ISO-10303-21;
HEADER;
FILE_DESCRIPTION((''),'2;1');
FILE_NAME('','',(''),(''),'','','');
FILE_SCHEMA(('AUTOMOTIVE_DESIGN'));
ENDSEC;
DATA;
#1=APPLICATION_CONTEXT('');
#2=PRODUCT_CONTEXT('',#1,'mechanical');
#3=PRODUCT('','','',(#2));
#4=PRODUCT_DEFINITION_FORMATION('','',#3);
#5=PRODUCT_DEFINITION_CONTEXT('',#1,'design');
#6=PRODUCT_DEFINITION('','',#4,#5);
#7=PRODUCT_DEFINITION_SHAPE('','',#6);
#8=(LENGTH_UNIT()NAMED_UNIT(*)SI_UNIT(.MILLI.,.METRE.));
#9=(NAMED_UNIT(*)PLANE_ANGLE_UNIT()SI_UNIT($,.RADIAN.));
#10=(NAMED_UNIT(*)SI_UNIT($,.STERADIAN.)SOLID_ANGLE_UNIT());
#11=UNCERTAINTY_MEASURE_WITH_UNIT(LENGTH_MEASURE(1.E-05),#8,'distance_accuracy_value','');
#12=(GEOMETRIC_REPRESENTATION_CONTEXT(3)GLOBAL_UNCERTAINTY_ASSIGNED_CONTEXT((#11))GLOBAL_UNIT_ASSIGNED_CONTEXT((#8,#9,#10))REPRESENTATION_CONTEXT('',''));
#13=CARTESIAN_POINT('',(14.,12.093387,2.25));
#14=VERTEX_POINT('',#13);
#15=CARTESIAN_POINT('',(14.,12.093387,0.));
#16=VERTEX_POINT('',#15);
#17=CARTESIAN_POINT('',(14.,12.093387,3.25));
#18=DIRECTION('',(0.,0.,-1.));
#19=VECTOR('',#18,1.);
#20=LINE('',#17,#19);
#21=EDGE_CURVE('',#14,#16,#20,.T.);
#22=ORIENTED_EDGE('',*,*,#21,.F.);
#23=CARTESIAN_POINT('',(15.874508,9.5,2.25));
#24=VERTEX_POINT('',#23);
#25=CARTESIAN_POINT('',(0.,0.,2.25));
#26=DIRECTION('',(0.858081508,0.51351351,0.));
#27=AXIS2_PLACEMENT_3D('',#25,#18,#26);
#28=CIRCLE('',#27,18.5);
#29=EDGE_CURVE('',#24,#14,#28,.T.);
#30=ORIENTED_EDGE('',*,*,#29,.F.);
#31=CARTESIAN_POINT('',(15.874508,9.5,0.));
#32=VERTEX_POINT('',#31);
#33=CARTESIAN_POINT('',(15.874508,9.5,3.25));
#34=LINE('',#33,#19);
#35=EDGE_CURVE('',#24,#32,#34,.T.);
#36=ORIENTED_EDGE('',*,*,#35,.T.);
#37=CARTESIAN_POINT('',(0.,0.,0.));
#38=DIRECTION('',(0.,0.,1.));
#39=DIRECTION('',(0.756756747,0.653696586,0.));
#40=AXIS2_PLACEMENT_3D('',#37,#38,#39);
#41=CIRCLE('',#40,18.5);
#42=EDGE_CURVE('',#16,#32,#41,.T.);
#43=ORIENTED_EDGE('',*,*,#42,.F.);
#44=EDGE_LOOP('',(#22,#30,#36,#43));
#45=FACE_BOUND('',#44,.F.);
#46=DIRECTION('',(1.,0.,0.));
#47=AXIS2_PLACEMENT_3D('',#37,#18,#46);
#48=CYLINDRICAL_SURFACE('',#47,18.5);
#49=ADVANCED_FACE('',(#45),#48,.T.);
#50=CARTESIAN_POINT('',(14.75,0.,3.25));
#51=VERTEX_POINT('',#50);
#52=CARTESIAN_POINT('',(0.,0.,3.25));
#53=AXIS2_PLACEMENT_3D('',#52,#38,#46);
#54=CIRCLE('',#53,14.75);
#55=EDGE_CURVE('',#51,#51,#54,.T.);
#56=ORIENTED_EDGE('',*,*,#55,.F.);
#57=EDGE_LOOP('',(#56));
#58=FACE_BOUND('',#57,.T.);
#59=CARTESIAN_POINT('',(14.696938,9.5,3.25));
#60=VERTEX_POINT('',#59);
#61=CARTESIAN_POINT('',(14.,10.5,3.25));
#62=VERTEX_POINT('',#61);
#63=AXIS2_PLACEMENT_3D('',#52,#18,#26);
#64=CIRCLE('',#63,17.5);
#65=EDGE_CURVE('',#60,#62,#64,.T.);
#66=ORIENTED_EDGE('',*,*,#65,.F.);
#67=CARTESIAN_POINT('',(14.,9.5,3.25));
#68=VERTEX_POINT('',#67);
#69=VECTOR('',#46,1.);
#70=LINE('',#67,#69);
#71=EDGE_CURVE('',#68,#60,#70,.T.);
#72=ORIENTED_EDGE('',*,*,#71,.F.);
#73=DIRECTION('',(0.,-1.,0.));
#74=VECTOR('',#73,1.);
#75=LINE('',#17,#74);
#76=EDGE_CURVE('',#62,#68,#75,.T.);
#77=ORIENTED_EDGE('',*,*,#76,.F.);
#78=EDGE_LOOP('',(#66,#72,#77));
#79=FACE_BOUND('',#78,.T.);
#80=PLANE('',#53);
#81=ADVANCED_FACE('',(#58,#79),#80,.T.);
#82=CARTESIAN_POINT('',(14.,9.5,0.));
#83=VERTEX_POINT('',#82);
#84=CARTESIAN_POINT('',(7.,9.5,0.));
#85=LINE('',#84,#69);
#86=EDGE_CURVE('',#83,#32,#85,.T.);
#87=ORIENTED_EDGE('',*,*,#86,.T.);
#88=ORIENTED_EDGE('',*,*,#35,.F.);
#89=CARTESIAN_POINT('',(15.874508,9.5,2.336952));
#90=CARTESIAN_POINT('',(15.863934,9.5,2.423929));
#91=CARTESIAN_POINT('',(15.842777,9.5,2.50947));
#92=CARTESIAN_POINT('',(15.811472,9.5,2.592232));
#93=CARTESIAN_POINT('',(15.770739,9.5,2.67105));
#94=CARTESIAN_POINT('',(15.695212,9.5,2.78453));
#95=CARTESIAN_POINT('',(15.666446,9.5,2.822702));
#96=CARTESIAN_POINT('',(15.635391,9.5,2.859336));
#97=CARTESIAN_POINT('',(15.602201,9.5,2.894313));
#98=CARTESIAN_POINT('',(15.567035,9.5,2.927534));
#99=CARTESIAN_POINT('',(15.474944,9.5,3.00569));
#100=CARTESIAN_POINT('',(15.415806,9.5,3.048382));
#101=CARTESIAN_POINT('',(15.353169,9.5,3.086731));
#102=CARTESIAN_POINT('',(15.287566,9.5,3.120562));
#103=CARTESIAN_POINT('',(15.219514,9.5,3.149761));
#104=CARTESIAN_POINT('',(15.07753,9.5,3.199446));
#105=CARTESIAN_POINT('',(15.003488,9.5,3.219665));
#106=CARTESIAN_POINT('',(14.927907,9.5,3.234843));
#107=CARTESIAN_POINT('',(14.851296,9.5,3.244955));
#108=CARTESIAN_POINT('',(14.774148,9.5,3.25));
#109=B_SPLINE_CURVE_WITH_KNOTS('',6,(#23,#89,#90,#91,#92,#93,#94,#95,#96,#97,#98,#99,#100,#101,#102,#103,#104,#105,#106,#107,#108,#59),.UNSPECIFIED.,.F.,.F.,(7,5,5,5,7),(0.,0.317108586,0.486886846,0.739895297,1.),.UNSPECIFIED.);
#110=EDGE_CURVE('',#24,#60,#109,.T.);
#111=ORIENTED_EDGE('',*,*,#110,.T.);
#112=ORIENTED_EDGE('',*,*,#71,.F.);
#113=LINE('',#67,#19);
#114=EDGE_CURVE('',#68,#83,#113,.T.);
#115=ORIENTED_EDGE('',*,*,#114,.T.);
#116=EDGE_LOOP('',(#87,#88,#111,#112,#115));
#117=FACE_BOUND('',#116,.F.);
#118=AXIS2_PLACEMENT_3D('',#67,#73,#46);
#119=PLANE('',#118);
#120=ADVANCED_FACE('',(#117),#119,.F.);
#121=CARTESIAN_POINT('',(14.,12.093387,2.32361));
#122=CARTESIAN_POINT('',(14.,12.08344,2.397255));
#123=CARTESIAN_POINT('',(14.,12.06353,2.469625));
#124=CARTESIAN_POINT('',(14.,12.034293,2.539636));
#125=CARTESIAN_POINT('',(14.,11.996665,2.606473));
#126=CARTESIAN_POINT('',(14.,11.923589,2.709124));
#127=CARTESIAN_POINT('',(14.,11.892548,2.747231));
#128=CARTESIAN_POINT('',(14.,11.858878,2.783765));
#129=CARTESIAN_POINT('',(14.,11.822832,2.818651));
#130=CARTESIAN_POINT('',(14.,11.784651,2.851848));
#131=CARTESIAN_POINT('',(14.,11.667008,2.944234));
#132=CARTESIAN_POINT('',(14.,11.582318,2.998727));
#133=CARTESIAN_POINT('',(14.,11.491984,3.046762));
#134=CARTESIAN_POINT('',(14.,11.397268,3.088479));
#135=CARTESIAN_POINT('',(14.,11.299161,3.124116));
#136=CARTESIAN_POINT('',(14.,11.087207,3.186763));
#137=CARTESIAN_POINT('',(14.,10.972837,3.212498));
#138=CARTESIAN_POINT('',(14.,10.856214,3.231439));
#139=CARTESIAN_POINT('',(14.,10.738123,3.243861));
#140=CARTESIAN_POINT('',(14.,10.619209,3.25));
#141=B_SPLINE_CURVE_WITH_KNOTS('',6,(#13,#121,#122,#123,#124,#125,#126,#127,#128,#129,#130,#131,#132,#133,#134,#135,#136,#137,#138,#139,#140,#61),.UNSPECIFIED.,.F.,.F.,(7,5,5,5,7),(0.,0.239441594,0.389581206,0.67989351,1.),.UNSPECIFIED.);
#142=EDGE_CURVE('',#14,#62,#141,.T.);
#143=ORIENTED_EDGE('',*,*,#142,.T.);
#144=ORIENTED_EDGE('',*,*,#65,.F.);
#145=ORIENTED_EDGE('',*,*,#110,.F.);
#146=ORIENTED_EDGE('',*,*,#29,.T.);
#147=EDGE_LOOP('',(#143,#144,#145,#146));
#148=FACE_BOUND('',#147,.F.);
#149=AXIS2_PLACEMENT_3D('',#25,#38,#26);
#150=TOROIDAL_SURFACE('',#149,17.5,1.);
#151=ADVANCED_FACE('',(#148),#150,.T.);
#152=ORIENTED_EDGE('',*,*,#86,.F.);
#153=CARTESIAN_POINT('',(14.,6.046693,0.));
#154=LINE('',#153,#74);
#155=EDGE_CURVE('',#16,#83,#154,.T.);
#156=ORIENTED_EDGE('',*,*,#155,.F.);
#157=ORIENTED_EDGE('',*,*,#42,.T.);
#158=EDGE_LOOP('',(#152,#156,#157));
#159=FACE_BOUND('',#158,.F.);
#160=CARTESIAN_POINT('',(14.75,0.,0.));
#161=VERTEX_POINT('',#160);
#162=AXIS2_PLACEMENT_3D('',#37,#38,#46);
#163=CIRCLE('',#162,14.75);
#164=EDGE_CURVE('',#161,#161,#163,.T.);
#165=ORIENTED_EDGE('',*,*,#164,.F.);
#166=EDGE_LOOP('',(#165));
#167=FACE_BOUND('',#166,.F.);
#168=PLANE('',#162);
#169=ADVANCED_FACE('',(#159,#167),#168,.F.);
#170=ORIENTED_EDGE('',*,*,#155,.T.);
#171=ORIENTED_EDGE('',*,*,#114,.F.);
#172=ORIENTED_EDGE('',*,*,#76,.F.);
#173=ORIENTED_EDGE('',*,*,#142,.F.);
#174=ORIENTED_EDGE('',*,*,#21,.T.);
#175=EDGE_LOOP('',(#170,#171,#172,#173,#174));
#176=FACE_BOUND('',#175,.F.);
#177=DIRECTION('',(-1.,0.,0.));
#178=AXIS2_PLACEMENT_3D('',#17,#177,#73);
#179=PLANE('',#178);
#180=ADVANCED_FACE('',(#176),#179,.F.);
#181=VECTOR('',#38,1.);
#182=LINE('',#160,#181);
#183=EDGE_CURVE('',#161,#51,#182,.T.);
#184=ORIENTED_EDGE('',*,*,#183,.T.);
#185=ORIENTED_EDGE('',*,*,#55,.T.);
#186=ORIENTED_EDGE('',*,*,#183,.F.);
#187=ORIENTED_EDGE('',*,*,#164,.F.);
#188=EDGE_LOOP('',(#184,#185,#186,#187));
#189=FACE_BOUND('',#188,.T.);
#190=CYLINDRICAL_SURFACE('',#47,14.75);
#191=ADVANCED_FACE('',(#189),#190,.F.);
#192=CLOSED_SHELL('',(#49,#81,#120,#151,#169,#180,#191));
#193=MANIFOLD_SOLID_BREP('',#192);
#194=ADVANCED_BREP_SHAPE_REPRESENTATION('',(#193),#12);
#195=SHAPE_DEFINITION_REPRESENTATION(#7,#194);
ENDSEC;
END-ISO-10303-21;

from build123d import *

# Parameters (mm, degrees)
F0_R     = 18.5
F0_R_2   = 14.75
F1_DEPTH = 3.25
F3_DEPTH = 25
F4_R     = 1


with BuildPart() as f1:
    # F0 (on Top) → F1 (new body)
    with BuildSketch(Plane.XY):
        Circle(F0_R)
        Circle(F0_R_2, mode=Mode.SUBTRACT)
    extrude(amount=F1_DEPTH)

    # F2 (on face) → F3 (cut)
    with BuildSketch(Plane.XY.offset(3.25)):
        with BuildLine():
            Line((14, 9.5), (15.874508, 9.5))
            ThreePointArc((15.874508, 9.5), (14.993431, 10.837298), (14, 12.093387))
            Line((14, 12.093387), (14, 9.5))
        make_face()
    extrude(amount=-F3_DEPTH, mode=Mode.SUBTRACT)

    # F4
    f4_edges = [f1.edges().sort_by_distance(p)[0] for p in [
        (-14.993431, -10.837298, 3.25),
    ]]
    fillet(f4_edges, radius=F4_R)


solid = f1.part
